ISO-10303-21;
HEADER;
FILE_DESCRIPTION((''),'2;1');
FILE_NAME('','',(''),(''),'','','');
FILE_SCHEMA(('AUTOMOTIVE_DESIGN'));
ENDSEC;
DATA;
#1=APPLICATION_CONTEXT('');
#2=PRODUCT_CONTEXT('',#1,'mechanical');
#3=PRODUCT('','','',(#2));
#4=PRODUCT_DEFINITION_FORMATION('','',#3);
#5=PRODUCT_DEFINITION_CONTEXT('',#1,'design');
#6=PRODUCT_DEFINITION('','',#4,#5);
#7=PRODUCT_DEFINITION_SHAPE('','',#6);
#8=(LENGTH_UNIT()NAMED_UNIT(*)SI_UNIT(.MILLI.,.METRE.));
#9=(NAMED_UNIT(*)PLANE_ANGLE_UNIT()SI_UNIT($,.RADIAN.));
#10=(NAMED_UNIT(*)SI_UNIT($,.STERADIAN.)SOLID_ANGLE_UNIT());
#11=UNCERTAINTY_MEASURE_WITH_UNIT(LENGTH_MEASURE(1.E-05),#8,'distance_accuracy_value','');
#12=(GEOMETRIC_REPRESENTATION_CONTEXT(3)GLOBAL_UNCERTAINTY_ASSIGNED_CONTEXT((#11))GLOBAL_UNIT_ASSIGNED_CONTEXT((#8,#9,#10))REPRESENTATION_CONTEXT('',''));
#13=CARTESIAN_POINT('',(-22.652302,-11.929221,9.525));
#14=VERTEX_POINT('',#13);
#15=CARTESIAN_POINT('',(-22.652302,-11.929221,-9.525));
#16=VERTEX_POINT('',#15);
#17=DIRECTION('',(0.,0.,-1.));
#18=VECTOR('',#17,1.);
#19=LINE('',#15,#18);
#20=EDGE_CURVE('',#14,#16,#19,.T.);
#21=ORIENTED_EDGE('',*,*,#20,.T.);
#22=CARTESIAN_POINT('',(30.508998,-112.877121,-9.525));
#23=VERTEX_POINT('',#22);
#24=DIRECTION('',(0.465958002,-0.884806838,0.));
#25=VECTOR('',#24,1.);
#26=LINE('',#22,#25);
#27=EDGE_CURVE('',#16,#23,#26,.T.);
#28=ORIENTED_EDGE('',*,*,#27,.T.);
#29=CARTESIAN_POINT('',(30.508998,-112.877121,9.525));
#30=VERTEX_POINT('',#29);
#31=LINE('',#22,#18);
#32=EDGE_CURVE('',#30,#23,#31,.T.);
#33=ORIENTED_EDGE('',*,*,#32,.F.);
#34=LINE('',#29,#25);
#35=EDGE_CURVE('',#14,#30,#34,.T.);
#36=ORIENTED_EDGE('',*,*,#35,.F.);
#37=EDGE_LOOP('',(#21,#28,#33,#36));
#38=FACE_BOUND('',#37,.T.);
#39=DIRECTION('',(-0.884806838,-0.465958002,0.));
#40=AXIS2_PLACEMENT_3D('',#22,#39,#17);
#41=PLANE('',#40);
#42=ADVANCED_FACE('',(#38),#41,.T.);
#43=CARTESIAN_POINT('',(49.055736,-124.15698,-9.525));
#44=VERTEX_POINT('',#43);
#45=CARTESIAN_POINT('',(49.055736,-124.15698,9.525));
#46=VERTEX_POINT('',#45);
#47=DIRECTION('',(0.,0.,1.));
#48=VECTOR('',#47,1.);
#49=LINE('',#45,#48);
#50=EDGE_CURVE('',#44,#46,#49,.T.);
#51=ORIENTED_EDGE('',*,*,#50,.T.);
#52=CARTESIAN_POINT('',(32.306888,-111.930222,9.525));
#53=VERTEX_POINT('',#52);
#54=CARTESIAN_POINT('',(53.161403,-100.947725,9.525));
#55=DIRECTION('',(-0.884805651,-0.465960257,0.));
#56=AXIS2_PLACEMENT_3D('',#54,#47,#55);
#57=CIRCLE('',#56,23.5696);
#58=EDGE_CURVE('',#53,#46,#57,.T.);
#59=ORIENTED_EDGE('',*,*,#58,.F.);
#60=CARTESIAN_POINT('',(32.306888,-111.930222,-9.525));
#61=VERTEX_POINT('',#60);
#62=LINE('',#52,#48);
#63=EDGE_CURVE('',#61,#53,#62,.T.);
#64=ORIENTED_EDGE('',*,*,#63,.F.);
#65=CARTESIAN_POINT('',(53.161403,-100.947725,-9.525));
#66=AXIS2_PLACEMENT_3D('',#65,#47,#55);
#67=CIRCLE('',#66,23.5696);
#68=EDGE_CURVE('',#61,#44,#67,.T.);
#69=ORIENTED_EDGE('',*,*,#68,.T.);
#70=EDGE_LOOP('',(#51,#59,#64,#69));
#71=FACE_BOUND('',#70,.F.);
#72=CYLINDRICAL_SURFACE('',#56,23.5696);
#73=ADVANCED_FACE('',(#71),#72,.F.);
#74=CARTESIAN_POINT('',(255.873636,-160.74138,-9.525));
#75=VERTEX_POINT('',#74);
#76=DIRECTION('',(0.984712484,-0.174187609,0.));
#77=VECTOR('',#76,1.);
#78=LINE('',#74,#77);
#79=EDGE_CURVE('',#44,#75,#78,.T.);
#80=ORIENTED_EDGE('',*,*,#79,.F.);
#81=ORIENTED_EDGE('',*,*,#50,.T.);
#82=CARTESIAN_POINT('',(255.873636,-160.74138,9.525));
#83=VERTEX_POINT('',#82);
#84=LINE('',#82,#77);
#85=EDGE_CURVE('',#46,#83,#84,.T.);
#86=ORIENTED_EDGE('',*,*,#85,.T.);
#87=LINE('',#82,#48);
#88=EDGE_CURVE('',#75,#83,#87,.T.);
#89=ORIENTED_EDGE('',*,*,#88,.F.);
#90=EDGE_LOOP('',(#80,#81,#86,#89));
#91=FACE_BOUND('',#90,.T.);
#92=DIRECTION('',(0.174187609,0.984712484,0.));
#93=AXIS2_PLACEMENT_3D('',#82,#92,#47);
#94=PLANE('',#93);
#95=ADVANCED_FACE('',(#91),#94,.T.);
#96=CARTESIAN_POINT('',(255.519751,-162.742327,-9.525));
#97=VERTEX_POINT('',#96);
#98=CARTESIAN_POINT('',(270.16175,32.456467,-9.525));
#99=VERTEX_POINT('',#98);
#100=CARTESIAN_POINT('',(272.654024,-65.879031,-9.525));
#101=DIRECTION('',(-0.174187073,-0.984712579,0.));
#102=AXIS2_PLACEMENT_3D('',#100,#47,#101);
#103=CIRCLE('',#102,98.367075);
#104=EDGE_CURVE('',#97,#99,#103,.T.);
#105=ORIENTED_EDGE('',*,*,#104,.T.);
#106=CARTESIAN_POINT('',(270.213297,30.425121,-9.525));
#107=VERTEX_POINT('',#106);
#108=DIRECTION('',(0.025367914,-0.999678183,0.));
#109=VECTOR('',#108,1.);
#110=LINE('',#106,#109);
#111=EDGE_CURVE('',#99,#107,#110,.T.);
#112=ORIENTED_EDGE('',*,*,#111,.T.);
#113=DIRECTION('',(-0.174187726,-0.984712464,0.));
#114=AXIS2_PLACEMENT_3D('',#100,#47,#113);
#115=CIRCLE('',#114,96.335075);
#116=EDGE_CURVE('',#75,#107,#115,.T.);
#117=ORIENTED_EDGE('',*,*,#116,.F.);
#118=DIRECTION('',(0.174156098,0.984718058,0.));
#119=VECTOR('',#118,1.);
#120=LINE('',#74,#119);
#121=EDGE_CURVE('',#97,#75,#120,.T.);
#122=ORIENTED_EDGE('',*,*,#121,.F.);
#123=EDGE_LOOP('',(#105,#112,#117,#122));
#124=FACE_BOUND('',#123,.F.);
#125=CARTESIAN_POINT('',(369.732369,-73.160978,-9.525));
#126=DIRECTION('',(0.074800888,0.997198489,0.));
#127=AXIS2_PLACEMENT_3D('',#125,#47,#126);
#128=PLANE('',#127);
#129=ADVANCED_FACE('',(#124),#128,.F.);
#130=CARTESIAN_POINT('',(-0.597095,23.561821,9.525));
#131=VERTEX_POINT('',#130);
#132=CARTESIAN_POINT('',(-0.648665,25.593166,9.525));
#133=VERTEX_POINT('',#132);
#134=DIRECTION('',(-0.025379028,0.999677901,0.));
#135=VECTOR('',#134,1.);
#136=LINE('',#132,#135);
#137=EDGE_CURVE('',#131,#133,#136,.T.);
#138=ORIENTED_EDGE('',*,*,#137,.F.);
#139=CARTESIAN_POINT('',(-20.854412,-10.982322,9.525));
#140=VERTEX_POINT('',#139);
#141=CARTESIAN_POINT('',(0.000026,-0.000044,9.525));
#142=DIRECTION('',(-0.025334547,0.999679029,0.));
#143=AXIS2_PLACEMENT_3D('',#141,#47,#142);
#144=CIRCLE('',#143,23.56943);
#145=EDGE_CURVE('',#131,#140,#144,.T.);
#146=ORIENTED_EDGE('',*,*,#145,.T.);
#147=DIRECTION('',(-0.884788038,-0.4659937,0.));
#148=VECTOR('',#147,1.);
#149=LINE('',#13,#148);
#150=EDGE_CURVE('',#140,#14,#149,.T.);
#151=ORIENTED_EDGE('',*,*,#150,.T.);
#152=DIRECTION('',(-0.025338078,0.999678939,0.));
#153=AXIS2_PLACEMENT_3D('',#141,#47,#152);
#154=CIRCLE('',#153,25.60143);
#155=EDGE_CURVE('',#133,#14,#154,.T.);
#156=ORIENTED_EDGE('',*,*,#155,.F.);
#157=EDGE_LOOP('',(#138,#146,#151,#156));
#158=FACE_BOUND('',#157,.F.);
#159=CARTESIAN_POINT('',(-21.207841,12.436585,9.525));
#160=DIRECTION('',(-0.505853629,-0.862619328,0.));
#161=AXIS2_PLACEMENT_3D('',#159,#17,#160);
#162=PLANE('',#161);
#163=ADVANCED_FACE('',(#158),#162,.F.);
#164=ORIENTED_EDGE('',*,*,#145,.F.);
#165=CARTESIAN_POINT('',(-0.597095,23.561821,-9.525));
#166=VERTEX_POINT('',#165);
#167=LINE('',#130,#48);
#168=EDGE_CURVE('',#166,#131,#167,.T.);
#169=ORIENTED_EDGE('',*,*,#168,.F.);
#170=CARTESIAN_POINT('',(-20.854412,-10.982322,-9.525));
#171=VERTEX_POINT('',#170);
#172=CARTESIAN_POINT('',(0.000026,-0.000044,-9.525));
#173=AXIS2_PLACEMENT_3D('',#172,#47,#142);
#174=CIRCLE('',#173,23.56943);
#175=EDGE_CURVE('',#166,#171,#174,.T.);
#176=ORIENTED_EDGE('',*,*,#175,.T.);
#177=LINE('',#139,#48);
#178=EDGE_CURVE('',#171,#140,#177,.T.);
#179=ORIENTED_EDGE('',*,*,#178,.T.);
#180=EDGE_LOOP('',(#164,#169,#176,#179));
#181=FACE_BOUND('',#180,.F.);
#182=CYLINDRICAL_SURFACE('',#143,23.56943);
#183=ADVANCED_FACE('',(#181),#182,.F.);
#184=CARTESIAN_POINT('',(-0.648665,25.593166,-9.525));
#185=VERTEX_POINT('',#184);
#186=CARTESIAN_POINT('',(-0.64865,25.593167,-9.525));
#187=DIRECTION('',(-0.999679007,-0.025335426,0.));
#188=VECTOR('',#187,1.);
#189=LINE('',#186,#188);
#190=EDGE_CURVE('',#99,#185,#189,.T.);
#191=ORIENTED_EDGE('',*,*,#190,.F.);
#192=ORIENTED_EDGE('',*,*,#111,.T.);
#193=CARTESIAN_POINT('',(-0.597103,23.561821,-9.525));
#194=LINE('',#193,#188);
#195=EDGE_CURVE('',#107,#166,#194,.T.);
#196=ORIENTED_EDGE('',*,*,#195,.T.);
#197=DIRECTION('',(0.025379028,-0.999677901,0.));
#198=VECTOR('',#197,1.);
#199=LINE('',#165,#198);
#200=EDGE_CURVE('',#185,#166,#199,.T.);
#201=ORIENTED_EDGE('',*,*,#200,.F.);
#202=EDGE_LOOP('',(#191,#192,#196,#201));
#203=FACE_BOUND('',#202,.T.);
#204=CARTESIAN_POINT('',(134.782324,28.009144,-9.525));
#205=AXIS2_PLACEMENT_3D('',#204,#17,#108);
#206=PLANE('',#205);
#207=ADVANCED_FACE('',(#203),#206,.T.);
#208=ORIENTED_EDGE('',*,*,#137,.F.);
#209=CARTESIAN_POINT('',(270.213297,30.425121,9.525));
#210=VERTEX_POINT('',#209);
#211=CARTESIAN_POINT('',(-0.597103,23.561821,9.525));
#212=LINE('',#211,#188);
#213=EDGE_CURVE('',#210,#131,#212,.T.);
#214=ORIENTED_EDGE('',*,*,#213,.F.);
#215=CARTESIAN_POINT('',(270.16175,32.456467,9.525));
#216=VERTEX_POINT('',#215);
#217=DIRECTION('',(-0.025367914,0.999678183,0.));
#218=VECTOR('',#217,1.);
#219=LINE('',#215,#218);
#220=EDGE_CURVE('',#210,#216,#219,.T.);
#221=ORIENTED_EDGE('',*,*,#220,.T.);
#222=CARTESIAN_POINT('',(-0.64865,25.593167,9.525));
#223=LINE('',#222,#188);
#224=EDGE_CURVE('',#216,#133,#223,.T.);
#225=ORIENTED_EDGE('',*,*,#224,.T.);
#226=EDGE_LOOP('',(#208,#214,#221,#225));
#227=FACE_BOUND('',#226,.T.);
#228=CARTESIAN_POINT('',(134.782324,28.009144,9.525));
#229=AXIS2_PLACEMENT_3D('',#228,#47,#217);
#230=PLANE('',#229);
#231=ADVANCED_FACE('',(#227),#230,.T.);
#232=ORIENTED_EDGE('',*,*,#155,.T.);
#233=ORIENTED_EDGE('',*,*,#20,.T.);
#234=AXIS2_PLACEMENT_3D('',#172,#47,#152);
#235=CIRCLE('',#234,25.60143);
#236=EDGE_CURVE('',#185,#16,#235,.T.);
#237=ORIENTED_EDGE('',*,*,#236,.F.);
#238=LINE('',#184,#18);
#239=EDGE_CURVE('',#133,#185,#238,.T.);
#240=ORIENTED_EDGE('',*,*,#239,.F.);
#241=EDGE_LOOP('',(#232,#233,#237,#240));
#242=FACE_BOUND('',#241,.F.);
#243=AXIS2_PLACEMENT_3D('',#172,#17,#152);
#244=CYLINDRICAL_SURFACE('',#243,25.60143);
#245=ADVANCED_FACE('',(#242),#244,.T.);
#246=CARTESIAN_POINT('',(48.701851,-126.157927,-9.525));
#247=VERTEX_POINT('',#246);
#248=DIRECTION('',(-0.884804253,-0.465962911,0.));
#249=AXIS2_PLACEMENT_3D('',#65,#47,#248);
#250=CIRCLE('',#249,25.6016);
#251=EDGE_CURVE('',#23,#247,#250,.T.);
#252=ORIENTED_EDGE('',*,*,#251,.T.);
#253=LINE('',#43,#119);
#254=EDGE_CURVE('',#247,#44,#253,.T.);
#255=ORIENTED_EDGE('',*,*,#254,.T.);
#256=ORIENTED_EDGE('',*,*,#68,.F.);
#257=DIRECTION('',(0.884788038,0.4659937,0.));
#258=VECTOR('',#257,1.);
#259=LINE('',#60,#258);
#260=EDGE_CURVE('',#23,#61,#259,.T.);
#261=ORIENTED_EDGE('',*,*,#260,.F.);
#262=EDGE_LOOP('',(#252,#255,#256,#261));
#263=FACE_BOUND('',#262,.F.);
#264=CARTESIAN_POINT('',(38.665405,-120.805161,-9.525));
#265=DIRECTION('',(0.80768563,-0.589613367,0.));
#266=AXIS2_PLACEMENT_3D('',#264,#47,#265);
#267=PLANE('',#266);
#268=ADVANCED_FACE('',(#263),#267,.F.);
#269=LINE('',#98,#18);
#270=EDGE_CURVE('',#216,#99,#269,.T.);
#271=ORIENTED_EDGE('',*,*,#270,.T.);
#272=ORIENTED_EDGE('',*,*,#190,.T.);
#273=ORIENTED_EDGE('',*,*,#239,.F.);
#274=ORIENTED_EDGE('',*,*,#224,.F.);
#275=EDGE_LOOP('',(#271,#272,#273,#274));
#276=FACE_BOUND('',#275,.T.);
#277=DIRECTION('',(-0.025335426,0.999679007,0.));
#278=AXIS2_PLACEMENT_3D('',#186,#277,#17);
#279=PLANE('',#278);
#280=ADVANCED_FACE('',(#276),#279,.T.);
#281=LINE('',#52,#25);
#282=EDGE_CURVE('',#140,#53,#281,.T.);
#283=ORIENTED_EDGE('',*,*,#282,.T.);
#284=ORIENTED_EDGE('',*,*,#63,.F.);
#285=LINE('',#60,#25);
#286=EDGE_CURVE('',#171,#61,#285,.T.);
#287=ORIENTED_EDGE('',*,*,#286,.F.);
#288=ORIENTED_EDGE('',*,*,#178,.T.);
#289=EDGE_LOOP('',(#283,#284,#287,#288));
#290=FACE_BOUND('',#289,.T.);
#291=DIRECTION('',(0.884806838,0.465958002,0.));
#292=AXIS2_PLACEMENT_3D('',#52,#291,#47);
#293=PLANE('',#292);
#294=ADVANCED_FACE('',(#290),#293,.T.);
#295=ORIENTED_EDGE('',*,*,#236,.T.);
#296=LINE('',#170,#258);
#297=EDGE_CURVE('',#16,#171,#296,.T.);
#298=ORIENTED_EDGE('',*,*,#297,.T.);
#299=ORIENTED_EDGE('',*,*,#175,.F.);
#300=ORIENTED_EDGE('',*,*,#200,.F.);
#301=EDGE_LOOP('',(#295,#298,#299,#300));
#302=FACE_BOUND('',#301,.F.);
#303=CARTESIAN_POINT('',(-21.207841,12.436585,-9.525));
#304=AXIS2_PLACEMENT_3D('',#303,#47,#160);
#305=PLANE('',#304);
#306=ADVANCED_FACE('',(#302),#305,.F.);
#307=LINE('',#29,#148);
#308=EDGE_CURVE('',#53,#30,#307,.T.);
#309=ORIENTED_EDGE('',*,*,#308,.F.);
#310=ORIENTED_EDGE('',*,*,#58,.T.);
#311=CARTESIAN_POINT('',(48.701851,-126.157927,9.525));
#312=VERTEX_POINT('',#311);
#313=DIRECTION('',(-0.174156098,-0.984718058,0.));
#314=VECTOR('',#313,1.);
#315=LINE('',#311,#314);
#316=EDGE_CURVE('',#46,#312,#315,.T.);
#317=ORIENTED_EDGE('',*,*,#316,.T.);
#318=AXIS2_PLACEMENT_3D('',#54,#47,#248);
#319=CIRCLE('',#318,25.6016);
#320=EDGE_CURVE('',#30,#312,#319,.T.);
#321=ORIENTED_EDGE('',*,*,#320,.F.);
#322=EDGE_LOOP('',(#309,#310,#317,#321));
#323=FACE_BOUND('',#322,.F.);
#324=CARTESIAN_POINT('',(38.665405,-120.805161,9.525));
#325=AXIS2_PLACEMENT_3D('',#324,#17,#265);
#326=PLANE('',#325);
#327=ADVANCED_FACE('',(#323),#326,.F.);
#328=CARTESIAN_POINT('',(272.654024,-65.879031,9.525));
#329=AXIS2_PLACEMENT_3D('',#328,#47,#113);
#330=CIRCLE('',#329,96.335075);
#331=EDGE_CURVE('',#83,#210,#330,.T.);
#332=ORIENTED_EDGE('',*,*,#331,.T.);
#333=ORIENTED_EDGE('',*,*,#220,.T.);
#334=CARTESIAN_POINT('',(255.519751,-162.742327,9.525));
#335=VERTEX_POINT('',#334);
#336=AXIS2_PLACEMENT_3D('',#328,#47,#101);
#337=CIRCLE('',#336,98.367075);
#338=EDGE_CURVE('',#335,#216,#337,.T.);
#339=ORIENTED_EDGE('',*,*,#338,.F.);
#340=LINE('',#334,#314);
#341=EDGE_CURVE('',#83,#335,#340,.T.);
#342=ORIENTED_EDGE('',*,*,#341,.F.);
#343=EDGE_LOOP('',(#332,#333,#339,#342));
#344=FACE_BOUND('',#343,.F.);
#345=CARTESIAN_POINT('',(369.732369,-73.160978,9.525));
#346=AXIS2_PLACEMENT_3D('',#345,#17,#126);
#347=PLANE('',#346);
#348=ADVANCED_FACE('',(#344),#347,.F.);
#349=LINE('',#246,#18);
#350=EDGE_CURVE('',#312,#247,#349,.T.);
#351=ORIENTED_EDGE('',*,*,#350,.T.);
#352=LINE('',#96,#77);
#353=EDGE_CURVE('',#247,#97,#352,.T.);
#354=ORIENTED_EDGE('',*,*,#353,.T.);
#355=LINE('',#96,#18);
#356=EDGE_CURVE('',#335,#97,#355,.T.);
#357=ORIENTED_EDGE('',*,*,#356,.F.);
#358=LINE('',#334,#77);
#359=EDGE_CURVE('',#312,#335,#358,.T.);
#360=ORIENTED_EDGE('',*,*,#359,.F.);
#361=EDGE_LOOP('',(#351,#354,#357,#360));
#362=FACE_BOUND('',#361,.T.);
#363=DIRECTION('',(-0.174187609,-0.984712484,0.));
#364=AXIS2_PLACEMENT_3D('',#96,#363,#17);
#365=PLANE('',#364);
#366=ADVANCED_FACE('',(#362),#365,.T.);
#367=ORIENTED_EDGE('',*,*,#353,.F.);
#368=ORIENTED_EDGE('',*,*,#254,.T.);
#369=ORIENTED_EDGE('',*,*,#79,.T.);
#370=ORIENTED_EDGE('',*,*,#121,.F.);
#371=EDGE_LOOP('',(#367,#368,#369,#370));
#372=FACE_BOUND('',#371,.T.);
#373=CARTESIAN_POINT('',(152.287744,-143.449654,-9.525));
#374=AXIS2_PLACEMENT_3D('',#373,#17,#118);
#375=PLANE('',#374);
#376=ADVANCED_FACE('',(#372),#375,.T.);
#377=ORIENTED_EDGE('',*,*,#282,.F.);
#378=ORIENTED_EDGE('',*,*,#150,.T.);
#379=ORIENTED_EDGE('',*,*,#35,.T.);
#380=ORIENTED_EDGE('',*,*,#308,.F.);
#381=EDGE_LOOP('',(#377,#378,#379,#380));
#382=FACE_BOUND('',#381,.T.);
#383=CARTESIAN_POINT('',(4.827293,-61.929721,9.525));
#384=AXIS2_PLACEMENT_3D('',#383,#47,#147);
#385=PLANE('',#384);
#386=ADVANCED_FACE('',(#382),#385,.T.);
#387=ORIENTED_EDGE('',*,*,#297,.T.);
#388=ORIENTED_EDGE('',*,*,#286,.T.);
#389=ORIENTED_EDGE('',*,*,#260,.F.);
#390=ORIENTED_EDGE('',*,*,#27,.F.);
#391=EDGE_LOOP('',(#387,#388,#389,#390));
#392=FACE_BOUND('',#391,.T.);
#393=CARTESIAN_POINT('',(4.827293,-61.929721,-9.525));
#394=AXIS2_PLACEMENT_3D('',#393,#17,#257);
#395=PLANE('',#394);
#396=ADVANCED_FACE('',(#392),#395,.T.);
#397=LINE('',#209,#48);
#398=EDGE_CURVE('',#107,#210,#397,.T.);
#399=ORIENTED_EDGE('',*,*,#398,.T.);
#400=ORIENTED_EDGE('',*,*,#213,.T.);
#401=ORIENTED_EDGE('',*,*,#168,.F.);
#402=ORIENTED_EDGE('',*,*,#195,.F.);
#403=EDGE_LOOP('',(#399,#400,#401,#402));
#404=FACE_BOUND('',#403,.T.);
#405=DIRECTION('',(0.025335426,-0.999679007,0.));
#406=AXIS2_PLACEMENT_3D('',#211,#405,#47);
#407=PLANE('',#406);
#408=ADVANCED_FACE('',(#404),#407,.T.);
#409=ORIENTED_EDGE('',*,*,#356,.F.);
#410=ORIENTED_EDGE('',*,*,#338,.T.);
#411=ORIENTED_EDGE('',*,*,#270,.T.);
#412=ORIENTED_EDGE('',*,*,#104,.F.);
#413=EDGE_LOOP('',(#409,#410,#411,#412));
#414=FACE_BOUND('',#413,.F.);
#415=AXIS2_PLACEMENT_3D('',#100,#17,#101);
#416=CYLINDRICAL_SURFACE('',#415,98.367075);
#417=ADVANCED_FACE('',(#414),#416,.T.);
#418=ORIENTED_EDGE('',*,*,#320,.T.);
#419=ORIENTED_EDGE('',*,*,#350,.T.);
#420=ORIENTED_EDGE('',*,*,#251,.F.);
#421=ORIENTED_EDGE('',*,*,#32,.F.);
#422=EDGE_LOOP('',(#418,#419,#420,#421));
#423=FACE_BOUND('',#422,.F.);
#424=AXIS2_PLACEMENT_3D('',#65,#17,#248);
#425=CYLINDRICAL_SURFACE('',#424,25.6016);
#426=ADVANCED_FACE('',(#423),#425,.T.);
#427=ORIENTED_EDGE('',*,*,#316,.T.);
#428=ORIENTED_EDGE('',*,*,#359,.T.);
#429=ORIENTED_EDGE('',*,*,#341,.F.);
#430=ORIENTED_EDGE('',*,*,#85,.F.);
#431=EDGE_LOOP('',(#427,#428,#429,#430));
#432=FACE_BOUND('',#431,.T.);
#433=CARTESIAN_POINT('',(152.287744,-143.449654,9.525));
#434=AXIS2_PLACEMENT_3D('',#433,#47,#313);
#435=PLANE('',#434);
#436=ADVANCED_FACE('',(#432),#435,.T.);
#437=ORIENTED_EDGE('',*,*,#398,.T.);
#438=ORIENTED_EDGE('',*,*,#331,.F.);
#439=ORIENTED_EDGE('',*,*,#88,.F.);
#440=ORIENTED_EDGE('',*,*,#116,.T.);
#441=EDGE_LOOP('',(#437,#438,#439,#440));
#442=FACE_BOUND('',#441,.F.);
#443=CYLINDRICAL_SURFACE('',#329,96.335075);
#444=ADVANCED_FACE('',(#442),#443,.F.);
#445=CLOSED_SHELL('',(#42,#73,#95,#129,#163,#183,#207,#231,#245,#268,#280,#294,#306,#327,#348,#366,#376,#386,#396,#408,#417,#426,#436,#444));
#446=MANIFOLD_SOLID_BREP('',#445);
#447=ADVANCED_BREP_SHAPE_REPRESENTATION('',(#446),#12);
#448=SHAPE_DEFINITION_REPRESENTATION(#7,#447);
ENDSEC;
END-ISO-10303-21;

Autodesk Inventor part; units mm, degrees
sketch "草图路径" plane through (0, 0, 0) normal (0, 0, 1) x (1, 0, 0)
  arc A0 (-0.6145, 24.2474) -> (-21.4612, -11.3019) centre (0, 0) ccw
  arc A1 (255.7542, -161.4167) -> (270.1959, 31.1107) centre (272.654, -65.879) ccw
  arc A2 (31.7001, -112.2498) -> (48.9363, -124.8323) centre (53.1612, -100.9479) ccw
  line L0 (31.7001, -112.2498) -> (-21.4612, -11.3019)
  line L1 (-0.6145, 24.2474) -> (270.1959, 31.1107)
  line L2 (255.7542, -161.4167) -> (48.9363, -124.8323)
ref_plane "截面平面" through (-21.4612, -11.3019, 0) normal (0.466, -0.8848, 0) x (0, 0, 1)
ref_plane "工作平面2" through (0, 0, 0) normal (-1, 0, 0) x (0, 0, 1)
ref_plane "工作平面3" through (272.654, -65.879, 0) normal (-0.9976, 0.0686, 0) x (0, 0, 1)
ref_plane "工作平面4" through (53.1612, -100.9479, 0) normal (0.8703, -0.4925, 0) x (0, 0, 1)
sketch "截面" plane through (-21.4612, -11.3019, 0) normal (0.466, -0.8848, 0) x (0, 0, 1)
  line L0 (-9.525, 1.3462) -> (9.525, 1.3462)
  line L1 (9.525, 1.3462) -> (9.525, -0.6858)
  line L2 (9.525, -0.6858) -> (-9.525, -0.6858)
  line L3 (-9.525, -0.6858) -> (-9.525, 1.3462)
  line L4 (-9.525, 0) -> (9.525, 0) construction
  point P0 (0, 0)
  point P1 (0, 0)
  dimension "d0" = 19.05
  dimension "d4" = 0.6858
  dimension "d5" = 1.3462
sweep "皮带" add profiles "截面" path "草图路径"
equation "\"d0\" = da_B"
equation "\"d4\" = da_a"
equation "\"d5\" = da_a2"
equation "\"da_B\" = 19.05"
equation "\"da_pb\" = 12.7"
equation "\"da_L\" = 990.6"
equation "\"da_a\" = 0.6858"
equation "\"da_S\" = 6.1214"
equation "\"da_Beta\" = 20deg"
equation "\"da_Ht\" = 2.286"
equation "\"da_H\" = 4.318"
equation "\"da_a2\" = 1.3462"
properties part number "同步皮带" material "Rubber"
